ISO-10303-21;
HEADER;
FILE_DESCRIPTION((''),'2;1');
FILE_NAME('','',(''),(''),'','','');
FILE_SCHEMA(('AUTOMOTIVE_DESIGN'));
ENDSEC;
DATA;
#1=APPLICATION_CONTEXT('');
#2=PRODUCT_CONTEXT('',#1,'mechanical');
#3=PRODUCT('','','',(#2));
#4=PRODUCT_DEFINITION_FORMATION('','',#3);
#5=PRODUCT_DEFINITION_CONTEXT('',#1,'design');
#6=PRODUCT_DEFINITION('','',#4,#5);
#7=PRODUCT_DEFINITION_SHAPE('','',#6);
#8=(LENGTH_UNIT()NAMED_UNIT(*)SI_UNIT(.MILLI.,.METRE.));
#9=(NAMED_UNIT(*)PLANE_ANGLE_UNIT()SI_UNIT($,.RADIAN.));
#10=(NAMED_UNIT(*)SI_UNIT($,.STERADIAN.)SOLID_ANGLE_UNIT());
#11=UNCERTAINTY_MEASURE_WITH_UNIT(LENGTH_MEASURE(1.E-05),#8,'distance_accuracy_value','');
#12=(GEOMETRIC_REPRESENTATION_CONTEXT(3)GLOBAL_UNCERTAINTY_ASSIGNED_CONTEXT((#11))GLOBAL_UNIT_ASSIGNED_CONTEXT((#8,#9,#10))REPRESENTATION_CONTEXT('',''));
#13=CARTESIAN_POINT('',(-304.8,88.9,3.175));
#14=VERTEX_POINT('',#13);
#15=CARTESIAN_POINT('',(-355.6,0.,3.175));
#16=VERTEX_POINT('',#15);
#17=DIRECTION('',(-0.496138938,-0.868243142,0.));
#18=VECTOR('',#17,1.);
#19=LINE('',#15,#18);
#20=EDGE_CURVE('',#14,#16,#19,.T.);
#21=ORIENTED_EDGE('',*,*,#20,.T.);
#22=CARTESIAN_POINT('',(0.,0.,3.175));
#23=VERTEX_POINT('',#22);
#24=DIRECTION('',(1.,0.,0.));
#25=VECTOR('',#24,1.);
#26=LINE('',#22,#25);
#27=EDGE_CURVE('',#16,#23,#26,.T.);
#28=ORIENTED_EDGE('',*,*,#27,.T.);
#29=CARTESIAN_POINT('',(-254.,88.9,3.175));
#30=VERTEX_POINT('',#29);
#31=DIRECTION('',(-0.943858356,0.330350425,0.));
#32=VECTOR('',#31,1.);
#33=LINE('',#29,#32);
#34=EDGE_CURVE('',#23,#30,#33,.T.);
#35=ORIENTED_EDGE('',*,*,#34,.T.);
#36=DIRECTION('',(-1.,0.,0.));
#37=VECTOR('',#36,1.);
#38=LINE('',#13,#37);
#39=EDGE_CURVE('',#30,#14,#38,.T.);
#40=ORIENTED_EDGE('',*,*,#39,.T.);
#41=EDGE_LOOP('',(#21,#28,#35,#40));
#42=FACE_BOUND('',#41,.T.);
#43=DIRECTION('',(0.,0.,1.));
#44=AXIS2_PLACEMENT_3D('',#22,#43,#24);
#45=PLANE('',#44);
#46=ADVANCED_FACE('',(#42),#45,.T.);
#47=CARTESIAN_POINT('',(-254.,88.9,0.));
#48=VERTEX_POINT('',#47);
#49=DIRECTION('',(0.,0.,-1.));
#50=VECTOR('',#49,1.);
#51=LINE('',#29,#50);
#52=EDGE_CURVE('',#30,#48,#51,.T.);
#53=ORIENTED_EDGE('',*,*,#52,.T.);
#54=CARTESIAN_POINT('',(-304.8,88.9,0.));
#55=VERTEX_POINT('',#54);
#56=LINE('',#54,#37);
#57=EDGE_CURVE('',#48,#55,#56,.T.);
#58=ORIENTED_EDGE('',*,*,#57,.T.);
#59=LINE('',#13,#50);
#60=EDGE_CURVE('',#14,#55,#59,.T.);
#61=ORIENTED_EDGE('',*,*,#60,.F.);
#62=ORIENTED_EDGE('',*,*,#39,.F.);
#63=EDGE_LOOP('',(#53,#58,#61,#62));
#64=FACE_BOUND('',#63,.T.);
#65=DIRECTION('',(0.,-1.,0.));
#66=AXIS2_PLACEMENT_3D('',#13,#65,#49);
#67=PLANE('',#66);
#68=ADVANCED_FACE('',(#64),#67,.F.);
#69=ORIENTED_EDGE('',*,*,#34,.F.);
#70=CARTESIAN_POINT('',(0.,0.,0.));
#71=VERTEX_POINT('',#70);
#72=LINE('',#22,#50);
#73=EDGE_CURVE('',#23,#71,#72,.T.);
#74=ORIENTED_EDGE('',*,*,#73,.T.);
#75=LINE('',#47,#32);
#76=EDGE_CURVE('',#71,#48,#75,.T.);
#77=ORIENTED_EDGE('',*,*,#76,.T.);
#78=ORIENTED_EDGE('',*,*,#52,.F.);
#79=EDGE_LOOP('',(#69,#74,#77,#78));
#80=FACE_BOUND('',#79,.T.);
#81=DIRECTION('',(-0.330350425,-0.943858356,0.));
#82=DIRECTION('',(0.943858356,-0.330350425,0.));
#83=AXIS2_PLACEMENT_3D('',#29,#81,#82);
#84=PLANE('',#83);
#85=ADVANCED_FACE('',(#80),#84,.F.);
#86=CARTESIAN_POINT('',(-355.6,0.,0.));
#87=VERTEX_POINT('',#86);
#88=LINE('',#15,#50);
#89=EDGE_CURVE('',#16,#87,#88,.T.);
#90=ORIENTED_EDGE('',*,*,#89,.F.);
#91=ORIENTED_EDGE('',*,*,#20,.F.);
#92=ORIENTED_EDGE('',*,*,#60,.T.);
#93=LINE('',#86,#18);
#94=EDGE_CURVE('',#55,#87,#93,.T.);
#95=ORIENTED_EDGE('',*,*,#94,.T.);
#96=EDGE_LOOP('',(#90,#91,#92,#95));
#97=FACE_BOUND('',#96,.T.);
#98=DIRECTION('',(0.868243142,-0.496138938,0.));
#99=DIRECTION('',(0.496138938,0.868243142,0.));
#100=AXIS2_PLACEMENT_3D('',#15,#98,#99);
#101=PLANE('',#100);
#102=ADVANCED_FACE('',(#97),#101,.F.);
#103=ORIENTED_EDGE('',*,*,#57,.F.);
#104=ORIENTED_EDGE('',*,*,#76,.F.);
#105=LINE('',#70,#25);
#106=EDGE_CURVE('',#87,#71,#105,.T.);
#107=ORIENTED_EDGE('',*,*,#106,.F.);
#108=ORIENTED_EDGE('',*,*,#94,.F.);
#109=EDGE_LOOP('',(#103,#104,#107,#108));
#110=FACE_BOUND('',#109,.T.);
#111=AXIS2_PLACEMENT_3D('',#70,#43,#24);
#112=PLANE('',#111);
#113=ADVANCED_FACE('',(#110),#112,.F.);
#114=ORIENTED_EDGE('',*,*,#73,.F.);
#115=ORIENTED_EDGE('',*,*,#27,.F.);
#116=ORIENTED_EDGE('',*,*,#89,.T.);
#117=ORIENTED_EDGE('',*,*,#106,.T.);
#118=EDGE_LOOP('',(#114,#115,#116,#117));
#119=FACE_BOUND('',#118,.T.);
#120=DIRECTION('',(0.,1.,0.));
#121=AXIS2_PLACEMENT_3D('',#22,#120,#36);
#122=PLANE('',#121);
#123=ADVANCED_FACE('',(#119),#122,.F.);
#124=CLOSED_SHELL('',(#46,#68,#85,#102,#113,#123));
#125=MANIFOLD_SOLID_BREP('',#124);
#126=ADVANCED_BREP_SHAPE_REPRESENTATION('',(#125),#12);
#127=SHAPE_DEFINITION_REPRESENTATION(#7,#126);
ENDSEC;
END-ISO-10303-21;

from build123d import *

# Parameters (mm, degrees)
BOSS_EXTRUDE1_DEPTH = 3.175


with BuildPart() as part:
    # Sketch1 → Boss-Extrude1 (new body)
    with BuildSketch(Plane.XY):
        Polygon((0, 0), (-355.6, 0), (-304.8, 88.9), (-254, 88.9), align=None)
    extrude(amount=BOSS_EXTRUDE1_DEPTH)


solid = part.part
